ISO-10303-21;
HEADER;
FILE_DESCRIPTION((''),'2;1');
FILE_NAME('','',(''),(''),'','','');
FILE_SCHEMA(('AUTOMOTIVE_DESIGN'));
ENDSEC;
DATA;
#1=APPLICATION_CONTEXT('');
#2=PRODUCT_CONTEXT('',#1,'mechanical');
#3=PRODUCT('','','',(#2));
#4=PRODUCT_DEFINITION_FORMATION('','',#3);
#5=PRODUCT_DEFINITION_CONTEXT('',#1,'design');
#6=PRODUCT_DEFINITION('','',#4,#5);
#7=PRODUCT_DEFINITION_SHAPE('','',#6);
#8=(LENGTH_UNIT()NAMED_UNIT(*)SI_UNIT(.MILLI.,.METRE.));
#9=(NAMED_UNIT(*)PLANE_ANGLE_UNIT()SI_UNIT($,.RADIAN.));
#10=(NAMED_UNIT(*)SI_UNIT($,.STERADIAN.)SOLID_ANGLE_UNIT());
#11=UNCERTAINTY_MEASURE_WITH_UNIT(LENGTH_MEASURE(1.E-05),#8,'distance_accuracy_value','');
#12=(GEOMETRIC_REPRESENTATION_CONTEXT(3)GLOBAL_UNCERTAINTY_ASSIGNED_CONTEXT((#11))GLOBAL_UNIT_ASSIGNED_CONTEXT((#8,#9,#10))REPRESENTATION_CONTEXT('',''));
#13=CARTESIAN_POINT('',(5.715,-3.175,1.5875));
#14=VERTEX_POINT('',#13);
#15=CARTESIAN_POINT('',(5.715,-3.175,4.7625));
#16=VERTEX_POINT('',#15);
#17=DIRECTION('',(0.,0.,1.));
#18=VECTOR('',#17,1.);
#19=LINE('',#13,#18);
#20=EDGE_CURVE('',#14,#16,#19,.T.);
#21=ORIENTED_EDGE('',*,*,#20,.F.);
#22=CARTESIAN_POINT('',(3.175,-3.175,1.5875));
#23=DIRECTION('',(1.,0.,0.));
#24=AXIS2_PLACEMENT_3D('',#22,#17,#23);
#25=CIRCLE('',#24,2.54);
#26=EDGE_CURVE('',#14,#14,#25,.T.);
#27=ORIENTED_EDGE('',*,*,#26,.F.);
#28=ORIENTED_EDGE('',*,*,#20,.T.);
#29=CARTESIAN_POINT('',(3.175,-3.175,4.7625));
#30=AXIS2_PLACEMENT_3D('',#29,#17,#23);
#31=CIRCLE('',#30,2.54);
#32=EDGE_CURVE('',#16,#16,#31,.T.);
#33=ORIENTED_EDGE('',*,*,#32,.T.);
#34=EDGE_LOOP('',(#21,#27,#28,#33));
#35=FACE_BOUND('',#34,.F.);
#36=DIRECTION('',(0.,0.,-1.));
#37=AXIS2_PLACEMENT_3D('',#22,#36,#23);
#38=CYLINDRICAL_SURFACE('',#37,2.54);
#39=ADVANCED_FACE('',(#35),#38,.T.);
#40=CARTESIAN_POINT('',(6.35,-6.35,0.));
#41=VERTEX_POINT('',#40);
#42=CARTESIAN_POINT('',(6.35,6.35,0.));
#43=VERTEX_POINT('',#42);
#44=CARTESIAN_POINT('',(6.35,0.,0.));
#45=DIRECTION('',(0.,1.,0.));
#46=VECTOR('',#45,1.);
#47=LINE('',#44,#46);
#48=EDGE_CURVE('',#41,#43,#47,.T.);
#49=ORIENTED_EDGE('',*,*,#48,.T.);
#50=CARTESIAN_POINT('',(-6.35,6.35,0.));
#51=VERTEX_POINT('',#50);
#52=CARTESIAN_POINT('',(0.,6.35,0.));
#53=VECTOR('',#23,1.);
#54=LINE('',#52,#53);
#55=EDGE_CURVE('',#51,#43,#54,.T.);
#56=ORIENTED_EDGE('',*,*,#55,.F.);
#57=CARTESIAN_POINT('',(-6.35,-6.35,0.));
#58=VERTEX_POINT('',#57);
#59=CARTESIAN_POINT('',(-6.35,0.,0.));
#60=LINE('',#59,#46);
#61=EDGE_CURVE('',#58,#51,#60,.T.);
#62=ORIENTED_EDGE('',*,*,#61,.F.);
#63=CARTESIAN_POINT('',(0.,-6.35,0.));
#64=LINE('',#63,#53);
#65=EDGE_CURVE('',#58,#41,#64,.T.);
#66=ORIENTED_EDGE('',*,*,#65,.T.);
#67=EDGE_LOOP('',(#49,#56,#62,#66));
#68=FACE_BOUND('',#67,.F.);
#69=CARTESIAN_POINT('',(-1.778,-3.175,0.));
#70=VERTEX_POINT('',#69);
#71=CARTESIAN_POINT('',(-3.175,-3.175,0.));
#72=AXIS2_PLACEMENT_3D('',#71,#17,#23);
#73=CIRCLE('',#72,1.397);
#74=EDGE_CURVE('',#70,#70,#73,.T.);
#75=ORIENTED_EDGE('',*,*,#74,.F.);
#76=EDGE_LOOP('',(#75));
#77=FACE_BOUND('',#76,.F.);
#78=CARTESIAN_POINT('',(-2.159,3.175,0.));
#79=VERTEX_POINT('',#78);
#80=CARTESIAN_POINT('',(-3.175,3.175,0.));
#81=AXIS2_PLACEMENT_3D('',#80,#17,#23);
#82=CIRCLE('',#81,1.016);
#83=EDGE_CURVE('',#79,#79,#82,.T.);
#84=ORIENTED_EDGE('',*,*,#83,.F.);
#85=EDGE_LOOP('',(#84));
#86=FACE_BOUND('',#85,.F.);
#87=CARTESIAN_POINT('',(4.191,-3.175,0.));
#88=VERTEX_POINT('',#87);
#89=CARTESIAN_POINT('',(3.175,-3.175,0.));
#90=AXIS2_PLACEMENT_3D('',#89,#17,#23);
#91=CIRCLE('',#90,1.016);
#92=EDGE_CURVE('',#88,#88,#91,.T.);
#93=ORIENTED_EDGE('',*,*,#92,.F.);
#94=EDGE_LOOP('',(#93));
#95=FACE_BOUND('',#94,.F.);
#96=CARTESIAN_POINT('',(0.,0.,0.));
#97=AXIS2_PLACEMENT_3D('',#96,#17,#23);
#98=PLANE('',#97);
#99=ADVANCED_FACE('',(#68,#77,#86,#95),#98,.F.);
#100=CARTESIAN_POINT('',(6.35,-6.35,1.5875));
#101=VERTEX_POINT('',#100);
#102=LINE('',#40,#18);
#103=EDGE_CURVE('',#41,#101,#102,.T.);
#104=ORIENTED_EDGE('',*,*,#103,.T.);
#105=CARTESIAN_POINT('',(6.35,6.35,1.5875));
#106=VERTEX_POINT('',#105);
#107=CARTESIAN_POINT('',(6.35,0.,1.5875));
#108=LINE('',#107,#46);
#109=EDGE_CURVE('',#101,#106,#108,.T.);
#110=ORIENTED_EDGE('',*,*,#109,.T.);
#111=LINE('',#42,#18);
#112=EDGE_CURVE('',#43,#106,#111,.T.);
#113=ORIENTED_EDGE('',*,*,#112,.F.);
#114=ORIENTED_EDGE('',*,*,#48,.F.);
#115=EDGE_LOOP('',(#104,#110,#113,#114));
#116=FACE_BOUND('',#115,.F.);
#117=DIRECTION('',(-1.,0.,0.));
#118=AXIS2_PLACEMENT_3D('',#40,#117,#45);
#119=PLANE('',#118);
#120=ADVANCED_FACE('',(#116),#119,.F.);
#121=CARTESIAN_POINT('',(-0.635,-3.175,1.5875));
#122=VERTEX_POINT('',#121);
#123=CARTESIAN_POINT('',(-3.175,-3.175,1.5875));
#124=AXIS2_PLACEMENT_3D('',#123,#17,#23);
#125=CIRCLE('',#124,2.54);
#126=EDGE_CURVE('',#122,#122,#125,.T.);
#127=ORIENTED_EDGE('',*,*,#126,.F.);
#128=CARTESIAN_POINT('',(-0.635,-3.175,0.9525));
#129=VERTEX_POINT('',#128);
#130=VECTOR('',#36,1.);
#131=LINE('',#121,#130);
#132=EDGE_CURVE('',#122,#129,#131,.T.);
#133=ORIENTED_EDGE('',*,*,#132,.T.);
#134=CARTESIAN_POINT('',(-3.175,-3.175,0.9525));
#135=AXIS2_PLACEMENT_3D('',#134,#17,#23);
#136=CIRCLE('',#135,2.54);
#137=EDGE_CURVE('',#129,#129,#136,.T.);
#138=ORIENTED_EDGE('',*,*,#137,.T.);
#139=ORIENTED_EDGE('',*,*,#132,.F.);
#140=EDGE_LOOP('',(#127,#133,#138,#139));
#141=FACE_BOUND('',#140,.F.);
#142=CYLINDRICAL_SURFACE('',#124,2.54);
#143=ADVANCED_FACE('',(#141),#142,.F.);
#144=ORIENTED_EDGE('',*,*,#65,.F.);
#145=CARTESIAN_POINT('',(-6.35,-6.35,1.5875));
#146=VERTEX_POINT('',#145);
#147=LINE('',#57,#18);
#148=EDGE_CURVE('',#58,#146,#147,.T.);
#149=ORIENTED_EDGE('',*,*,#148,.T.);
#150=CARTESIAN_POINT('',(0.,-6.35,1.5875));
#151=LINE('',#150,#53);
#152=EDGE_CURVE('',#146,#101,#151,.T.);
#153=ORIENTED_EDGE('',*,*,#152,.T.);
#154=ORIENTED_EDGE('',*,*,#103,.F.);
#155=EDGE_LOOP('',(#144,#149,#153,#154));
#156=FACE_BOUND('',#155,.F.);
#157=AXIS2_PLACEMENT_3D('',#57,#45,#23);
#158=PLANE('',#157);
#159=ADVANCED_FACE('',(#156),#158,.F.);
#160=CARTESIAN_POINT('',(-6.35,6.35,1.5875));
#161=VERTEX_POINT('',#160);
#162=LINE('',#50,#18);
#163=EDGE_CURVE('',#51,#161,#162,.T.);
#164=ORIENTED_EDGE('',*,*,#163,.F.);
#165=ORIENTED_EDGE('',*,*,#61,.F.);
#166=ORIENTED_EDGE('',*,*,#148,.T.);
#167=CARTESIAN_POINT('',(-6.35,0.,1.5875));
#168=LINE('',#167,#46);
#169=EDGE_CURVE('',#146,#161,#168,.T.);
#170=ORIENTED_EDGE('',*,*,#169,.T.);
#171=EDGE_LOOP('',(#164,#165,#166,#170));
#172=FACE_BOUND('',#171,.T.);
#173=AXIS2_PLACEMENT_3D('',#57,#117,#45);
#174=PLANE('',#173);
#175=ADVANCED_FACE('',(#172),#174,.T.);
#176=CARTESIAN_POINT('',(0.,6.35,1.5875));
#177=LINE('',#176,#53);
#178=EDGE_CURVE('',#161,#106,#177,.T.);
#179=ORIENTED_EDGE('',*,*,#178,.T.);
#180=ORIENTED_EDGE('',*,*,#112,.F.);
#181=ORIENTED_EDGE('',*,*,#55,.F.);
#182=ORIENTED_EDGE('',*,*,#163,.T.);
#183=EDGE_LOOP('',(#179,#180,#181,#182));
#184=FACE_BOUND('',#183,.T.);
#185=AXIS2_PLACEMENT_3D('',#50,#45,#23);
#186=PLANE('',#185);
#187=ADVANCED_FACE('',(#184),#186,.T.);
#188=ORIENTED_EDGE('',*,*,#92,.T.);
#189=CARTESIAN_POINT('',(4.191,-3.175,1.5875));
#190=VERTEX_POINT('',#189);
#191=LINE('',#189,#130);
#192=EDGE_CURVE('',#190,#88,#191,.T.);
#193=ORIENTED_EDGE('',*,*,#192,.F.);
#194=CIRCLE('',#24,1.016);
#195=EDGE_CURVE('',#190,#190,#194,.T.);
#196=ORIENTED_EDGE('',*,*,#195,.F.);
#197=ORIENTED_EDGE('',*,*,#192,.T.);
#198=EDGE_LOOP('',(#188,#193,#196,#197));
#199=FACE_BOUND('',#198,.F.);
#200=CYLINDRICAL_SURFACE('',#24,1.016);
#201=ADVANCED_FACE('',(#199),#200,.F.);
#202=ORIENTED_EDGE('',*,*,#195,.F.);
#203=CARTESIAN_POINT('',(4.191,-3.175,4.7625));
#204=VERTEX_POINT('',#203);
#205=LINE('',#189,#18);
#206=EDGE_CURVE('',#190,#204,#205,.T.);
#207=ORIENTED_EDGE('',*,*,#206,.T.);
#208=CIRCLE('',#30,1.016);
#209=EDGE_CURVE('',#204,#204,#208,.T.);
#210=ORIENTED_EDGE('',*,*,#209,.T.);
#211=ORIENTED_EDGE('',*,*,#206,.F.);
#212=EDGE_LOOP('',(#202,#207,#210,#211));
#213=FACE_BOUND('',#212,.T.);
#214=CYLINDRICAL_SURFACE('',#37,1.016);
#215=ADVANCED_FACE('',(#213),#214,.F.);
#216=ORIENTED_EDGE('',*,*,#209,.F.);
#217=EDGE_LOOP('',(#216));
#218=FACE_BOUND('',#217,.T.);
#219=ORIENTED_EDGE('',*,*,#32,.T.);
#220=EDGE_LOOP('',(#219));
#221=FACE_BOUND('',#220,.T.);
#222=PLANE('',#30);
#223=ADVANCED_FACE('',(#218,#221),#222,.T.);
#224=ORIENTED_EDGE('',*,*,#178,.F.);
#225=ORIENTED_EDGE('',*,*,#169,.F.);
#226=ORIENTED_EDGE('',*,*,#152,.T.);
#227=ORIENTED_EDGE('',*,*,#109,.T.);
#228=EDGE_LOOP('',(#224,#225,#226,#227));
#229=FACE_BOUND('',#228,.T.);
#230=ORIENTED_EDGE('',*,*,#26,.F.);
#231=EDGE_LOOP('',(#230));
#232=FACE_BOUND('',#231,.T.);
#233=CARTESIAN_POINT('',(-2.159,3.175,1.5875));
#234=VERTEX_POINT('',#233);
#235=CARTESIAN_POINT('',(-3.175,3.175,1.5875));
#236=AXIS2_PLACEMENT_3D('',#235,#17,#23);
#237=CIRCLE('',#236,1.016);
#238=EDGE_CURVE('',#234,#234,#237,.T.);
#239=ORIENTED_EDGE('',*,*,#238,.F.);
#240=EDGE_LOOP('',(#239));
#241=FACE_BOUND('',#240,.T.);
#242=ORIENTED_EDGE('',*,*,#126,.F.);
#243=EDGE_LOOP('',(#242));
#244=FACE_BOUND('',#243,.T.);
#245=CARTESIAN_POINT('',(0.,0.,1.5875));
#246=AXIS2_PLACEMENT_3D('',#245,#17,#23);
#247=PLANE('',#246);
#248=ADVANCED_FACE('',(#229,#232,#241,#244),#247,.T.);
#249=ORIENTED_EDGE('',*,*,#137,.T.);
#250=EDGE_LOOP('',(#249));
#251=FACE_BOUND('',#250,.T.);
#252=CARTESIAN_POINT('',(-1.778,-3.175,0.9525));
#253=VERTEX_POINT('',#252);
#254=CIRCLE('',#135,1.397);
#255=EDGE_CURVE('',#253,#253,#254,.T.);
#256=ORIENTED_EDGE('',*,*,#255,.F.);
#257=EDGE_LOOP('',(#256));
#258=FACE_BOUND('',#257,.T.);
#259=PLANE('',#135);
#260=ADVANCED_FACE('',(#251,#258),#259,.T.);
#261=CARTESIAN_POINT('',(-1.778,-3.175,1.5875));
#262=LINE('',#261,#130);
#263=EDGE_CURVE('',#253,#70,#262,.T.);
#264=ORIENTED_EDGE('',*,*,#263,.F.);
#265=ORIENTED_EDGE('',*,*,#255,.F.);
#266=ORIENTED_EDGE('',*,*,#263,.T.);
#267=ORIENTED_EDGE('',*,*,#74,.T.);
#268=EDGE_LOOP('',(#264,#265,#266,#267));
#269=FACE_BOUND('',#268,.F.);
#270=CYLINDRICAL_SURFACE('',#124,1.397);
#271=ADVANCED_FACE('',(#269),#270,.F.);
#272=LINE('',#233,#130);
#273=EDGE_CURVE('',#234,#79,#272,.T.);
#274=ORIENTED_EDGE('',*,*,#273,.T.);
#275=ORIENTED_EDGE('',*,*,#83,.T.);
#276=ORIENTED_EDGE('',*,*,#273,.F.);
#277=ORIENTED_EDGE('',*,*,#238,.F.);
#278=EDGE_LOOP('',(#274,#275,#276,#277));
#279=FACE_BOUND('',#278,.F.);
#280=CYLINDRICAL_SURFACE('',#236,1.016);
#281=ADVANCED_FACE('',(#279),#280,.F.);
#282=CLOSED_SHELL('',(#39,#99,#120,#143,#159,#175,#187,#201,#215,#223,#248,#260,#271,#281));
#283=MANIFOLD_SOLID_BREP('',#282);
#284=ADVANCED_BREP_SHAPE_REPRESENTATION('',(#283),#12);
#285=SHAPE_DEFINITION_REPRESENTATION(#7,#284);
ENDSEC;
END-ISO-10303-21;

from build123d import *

# Parameters (mm, degrees)
F0_W     = 12.7
F0_H     = 12.7
F1_DEPTH = 1.5875
F2_R     = 1.016
F2_R_2   = 1.397
F3_DEPTH = 6.35
F2_R_3   = 2.54
F4_DEPTH = 3.175
F5_DEPTH = 0.635


with BuildPart() as f1:
    # F0 (on Top) → F1 (new body)
    with BuildSketch(Plane.XY):
        Rectangle(F0_W, F0_H)
    extrude(amount=F1_DEPTH)

    # F2 (on face) → F3 (cut)
    with BuildSketch(Plane.XY.offset(1.5875)):
        with Locations((-3.175, 3.175)):
            Circle(F2_R)
        with Locations((3.175, -3.175)):
            Circle(F2_R)
        with Locations((-3.175, -3.175)):
            Circle(F2_R_2)
    extrude(amount=-F3_DEPTH, mode=Mode.SUBTRACT)

    # F2 (on face) → F4 (join)
    with BuildSketch(Plane.XY.offset(1.5875)):
        with Locations((3.175, -3.175)):
            Circle(F2_R_3)
        with Locations((3.175, -3.175)):
            Circle(F2_R, mode=Mode.SUBTRACT)
    extrude(amount=F4_DEPTH)

    # F2 (on face) → F5 (cut)
    with BuildSketch(Plane.XY.offset(1.5875)):
        with Locations((-3.175, -3.175)):
            Circle(F2_R_3)
        with Locations((-3.175, -3.175)):
            Circle(F2_R_2, mode=Mode.SUBTRACT)
    extrude(amount=-F5_DEPTH, mode=Mode.SUBTRACT)


solid = f1.part
